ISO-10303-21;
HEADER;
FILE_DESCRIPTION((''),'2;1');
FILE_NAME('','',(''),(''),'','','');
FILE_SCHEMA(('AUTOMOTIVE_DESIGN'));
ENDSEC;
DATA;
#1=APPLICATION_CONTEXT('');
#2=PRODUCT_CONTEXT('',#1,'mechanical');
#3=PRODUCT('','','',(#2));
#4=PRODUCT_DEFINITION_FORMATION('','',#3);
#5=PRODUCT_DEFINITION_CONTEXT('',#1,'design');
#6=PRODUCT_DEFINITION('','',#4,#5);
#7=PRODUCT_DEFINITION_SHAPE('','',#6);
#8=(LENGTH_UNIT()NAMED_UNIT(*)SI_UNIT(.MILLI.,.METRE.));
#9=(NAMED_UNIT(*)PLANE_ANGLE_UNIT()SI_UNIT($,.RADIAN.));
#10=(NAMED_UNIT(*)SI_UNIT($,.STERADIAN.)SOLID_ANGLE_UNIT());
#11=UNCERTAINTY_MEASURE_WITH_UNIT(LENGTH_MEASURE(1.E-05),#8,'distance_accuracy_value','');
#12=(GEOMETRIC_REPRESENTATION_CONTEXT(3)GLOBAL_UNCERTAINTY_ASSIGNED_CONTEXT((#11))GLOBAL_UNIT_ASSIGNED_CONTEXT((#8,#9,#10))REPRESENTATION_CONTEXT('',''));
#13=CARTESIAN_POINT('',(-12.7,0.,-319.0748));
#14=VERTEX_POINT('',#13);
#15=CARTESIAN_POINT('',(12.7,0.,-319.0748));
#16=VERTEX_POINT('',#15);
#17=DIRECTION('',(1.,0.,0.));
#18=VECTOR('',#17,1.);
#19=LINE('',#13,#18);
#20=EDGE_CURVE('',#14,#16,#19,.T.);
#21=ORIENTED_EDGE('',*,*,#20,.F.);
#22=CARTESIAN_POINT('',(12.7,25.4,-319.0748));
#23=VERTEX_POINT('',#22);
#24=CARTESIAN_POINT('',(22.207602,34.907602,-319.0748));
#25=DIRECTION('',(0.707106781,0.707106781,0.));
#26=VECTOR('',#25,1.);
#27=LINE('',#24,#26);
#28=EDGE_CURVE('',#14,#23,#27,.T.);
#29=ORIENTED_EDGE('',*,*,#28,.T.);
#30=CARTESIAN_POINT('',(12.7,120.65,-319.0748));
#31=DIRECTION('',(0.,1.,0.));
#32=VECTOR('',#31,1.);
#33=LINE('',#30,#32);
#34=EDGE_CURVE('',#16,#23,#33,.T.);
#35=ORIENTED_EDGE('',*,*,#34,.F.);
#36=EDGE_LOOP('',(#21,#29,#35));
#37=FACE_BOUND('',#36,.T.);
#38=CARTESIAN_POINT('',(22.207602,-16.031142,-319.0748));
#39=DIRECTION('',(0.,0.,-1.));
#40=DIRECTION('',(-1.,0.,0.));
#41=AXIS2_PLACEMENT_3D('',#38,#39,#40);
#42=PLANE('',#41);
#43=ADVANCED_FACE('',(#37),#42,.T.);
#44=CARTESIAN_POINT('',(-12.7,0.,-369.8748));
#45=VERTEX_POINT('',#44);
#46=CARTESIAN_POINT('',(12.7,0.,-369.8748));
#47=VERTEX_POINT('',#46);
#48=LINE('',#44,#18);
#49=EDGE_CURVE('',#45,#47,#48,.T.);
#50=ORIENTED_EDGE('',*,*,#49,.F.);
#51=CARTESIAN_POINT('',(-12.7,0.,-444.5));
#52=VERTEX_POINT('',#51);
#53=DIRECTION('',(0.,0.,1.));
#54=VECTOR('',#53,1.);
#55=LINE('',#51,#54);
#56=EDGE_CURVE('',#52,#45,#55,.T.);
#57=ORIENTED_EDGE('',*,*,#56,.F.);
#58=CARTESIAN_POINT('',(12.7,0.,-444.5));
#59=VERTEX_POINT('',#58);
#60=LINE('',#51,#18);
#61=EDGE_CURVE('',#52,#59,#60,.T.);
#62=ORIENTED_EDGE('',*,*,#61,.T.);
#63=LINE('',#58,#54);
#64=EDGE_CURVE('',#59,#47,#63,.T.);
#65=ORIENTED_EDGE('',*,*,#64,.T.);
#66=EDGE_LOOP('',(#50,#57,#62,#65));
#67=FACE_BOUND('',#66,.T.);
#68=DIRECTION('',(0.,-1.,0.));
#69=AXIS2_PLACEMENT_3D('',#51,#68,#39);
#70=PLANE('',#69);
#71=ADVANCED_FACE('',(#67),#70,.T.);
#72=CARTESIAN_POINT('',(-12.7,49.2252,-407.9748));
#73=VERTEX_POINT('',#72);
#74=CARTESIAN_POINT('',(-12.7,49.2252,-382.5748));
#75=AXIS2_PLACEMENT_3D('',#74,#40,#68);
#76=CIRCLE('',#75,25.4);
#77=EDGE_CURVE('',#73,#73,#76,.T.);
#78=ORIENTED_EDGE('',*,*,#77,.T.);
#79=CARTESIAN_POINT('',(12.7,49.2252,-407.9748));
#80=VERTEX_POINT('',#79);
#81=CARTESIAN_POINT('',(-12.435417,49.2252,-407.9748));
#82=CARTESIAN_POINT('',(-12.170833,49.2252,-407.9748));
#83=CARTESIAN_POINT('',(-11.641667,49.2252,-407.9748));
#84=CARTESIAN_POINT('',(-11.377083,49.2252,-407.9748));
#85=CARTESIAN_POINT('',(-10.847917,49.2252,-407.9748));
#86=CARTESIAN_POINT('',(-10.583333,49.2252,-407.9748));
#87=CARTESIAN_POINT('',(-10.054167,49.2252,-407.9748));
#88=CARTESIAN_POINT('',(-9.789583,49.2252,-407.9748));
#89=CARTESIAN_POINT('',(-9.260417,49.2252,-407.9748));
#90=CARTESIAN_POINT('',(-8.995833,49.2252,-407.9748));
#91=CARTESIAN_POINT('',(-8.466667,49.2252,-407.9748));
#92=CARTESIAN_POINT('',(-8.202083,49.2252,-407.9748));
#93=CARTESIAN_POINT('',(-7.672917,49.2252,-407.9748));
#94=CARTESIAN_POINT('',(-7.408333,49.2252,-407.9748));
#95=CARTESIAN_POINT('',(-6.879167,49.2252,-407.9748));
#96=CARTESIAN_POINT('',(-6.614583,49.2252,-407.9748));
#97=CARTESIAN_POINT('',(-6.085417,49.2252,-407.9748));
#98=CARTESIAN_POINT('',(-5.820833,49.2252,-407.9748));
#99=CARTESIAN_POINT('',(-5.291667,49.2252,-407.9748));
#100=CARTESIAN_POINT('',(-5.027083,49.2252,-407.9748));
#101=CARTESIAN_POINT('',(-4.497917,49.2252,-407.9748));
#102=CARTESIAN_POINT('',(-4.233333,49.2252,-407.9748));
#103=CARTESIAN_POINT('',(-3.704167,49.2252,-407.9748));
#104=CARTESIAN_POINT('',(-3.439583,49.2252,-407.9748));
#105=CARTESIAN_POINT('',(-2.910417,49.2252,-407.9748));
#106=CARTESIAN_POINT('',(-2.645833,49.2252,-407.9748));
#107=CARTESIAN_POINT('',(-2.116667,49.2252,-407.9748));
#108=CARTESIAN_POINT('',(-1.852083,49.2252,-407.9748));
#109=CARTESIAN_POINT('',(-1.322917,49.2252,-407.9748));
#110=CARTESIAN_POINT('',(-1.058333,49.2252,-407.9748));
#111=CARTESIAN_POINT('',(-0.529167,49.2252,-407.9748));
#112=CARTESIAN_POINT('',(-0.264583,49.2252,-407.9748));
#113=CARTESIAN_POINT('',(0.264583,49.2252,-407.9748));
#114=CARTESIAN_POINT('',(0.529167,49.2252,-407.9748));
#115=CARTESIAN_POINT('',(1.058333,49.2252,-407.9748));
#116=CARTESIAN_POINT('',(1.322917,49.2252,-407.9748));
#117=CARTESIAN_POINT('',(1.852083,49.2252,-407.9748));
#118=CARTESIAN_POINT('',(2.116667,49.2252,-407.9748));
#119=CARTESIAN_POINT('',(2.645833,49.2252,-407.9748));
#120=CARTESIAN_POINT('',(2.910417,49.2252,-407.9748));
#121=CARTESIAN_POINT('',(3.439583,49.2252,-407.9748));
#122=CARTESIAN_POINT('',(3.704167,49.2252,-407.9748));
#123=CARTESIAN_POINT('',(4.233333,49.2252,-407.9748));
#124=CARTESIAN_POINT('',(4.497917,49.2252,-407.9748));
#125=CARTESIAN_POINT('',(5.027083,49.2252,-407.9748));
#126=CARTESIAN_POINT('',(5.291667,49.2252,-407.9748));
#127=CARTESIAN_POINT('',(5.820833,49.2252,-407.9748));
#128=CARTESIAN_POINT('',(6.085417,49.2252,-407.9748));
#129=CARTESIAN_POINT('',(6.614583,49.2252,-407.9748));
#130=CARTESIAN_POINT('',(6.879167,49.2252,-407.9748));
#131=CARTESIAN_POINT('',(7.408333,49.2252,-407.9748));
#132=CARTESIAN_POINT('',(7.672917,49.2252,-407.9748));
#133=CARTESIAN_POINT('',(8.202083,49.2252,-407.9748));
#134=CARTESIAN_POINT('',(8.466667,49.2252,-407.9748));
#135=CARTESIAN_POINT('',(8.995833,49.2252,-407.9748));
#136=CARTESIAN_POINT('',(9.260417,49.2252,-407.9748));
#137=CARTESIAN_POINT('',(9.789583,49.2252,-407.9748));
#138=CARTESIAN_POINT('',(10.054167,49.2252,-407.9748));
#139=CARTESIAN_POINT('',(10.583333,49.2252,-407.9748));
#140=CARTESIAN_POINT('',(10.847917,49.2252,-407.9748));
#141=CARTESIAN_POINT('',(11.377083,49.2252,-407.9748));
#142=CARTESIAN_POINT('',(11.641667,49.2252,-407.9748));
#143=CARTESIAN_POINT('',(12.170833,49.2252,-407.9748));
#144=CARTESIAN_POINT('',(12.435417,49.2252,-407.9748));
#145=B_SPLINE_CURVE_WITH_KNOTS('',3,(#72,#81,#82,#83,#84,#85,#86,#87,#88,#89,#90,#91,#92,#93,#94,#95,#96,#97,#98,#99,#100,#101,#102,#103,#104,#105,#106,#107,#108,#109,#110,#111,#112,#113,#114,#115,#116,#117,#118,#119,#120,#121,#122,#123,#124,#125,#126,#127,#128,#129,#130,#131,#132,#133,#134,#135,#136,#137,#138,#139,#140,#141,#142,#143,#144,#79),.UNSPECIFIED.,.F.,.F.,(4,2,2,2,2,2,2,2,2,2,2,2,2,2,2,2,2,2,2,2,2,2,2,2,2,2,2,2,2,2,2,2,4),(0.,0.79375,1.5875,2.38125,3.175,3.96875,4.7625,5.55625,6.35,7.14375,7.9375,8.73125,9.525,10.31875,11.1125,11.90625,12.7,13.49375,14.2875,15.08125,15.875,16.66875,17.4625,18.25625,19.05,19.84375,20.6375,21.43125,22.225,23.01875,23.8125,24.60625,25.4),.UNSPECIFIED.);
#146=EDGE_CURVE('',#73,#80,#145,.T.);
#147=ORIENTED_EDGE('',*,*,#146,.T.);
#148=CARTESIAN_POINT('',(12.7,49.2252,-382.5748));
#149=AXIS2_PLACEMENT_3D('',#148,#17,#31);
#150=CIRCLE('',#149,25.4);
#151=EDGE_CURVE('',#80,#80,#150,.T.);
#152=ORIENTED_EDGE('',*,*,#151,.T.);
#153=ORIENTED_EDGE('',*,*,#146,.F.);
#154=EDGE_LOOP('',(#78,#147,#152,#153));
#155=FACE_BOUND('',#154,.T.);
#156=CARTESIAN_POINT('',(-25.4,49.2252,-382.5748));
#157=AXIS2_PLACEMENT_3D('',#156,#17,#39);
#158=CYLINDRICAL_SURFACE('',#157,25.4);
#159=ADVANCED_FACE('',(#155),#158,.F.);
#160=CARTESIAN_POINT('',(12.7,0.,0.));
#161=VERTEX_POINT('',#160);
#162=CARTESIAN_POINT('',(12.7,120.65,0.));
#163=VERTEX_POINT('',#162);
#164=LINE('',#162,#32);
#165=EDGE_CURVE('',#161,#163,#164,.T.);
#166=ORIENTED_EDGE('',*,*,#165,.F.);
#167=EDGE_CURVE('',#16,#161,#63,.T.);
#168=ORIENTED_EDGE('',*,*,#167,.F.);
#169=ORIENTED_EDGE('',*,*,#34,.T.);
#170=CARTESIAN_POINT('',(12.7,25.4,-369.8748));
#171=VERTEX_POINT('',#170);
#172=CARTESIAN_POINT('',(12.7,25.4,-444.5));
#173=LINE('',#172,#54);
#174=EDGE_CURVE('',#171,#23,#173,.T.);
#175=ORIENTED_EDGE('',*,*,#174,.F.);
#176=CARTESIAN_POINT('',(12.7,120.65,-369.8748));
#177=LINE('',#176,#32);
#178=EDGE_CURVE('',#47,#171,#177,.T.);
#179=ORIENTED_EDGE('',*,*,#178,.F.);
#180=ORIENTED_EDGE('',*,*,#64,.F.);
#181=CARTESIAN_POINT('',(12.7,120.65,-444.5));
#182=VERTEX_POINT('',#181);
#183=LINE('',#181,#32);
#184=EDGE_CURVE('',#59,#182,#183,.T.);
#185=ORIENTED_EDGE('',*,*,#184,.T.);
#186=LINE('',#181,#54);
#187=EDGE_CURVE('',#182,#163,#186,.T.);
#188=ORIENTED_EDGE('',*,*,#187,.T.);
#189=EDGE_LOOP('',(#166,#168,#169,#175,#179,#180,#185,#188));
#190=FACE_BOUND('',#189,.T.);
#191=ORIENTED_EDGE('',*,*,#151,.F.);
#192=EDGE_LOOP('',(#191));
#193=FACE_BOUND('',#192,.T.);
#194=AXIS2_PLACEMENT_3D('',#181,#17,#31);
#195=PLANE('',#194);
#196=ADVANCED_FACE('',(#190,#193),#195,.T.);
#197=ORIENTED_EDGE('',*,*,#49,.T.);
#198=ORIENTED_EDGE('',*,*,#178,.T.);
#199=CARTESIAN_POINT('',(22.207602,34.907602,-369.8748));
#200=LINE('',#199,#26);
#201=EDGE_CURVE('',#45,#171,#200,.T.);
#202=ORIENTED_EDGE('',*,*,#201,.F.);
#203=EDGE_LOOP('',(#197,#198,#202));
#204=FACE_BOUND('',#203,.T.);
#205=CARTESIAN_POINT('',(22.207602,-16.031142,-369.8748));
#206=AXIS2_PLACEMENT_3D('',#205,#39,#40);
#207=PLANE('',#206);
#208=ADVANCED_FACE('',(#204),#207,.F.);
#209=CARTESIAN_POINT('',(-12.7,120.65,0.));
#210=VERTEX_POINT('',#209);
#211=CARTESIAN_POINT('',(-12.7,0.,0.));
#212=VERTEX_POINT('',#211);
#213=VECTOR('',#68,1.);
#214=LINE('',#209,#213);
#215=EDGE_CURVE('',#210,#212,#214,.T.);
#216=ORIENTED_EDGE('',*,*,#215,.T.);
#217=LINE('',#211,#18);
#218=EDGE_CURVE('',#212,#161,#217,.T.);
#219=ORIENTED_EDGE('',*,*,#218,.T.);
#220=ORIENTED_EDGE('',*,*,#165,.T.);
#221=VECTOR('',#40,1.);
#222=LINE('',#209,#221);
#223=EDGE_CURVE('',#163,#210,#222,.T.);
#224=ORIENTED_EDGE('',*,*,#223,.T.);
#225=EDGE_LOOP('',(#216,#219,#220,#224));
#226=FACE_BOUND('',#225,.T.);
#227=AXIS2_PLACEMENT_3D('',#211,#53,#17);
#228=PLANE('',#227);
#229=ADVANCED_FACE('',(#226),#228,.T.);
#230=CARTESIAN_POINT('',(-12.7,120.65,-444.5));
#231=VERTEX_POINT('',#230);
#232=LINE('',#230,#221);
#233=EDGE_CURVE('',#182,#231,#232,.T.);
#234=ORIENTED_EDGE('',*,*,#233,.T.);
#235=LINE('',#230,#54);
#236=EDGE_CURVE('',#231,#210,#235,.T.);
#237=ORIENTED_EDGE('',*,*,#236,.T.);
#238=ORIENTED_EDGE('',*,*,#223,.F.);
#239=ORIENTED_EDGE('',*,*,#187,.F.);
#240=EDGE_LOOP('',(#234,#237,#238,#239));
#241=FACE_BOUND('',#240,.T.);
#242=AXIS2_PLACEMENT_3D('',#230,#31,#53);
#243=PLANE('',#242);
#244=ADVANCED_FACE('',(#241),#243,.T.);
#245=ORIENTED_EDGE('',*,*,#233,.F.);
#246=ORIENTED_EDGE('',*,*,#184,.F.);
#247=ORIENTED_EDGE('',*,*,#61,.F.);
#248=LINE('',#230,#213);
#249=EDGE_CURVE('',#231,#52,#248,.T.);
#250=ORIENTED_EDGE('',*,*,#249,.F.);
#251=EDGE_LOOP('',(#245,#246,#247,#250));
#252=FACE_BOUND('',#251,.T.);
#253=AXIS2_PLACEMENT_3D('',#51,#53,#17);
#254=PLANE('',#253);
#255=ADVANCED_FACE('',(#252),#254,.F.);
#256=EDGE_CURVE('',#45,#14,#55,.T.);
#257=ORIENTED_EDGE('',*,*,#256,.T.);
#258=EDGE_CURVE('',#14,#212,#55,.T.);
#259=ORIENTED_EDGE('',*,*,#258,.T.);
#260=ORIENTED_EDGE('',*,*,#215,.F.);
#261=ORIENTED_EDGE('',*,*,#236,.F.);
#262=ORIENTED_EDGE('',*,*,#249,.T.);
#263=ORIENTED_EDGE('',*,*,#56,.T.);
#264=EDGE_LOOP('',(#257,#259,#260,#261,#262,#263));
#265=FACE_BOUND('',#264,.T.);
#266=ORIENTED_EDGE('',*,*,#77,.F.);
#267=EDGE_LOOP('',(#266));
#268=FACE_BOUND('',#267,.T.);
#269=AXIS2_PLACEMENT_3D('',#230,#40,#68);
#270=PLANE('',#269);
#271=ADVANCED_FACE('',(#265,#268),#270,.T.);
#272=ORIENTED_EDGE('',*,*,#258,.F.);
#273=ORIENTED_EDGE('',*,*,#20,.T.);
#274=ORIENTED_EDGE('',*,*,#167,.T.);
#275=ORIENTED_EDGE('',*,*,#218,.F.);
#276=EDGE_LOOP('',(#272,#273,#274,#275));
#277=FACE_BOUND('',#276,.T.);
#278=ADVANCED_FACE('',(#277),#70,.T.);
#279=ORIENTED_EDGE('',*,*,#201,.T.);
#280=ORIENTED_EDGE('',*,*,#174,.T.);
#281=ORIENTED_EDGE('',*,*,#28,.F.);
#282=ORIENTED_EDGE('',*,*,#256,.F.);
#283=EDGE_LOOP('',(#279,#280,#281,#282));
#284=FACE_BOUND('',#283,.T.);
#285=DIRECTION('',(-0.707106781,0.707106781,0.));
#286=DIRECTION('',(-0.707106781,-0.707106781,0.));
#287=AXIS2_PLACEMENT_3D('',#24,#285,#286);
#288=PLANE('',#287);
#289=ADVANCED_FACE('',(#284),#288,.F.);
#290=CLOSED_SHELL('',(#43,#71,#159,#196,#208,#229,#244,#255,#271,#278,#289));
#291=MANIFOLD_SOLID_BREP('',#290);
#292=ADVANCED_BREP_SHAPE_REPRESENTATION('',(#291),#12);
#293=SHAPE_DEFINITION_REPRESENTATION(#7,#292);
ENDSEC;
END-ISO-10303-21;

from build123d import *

# Parameters (mm, degrees)
SKETCH1_W          = 25.4
SKETCH1_H          = 120.65
EXTRUDE1_DEPTH     = 444.5
SKETCH2_R          = 25.4
CUT_EXTRUDE1_DEPTH = 25.4
CUT_EXTRUDE2_DEPTH = 50.8


with BuildPart() as part:
    # Sketch1 → Extrude1 (new body)
    with BuildSketch(Plane.XY):
        with Locations((0, 60.325)):
            Rectangle(SKETCH1_W, SKETCH1_H)
    extrude(amount=-EXTRUDE1_DEPTH)

    # Sketch2 → Cut-Extrude1 (cut, symmetric)
    with BuildSketch(Plane(origin=(0, 0, 0), x_dir=(0, 0, -1), z_dir=(1, 0, 0))):
        with Locations((382.5748, 49.2252)):
            Circle(SKETCH2_R)
    extrude(amount=CUT_EXTRUDE1_DEPTH, both=True, mode=Mode.SUBTRACT)

    # Sketch4 → Cut-Extrude2 (cut)
    with BuildSketch(Plane(origin=(0, 0, -369.8748), x_dir=(-1, 0, 0), z_dir=(0, 0, -1))):
        Polygon((-22.207602217, 34.907602217), (28.73114164, -16.03114164), (-22.207602217, -16.03114164), align=None)
    extrude(amount=-CUT_EXTRUDE2_DEPTH, mode=Mode.SUBTRACT)


solid = part.part
